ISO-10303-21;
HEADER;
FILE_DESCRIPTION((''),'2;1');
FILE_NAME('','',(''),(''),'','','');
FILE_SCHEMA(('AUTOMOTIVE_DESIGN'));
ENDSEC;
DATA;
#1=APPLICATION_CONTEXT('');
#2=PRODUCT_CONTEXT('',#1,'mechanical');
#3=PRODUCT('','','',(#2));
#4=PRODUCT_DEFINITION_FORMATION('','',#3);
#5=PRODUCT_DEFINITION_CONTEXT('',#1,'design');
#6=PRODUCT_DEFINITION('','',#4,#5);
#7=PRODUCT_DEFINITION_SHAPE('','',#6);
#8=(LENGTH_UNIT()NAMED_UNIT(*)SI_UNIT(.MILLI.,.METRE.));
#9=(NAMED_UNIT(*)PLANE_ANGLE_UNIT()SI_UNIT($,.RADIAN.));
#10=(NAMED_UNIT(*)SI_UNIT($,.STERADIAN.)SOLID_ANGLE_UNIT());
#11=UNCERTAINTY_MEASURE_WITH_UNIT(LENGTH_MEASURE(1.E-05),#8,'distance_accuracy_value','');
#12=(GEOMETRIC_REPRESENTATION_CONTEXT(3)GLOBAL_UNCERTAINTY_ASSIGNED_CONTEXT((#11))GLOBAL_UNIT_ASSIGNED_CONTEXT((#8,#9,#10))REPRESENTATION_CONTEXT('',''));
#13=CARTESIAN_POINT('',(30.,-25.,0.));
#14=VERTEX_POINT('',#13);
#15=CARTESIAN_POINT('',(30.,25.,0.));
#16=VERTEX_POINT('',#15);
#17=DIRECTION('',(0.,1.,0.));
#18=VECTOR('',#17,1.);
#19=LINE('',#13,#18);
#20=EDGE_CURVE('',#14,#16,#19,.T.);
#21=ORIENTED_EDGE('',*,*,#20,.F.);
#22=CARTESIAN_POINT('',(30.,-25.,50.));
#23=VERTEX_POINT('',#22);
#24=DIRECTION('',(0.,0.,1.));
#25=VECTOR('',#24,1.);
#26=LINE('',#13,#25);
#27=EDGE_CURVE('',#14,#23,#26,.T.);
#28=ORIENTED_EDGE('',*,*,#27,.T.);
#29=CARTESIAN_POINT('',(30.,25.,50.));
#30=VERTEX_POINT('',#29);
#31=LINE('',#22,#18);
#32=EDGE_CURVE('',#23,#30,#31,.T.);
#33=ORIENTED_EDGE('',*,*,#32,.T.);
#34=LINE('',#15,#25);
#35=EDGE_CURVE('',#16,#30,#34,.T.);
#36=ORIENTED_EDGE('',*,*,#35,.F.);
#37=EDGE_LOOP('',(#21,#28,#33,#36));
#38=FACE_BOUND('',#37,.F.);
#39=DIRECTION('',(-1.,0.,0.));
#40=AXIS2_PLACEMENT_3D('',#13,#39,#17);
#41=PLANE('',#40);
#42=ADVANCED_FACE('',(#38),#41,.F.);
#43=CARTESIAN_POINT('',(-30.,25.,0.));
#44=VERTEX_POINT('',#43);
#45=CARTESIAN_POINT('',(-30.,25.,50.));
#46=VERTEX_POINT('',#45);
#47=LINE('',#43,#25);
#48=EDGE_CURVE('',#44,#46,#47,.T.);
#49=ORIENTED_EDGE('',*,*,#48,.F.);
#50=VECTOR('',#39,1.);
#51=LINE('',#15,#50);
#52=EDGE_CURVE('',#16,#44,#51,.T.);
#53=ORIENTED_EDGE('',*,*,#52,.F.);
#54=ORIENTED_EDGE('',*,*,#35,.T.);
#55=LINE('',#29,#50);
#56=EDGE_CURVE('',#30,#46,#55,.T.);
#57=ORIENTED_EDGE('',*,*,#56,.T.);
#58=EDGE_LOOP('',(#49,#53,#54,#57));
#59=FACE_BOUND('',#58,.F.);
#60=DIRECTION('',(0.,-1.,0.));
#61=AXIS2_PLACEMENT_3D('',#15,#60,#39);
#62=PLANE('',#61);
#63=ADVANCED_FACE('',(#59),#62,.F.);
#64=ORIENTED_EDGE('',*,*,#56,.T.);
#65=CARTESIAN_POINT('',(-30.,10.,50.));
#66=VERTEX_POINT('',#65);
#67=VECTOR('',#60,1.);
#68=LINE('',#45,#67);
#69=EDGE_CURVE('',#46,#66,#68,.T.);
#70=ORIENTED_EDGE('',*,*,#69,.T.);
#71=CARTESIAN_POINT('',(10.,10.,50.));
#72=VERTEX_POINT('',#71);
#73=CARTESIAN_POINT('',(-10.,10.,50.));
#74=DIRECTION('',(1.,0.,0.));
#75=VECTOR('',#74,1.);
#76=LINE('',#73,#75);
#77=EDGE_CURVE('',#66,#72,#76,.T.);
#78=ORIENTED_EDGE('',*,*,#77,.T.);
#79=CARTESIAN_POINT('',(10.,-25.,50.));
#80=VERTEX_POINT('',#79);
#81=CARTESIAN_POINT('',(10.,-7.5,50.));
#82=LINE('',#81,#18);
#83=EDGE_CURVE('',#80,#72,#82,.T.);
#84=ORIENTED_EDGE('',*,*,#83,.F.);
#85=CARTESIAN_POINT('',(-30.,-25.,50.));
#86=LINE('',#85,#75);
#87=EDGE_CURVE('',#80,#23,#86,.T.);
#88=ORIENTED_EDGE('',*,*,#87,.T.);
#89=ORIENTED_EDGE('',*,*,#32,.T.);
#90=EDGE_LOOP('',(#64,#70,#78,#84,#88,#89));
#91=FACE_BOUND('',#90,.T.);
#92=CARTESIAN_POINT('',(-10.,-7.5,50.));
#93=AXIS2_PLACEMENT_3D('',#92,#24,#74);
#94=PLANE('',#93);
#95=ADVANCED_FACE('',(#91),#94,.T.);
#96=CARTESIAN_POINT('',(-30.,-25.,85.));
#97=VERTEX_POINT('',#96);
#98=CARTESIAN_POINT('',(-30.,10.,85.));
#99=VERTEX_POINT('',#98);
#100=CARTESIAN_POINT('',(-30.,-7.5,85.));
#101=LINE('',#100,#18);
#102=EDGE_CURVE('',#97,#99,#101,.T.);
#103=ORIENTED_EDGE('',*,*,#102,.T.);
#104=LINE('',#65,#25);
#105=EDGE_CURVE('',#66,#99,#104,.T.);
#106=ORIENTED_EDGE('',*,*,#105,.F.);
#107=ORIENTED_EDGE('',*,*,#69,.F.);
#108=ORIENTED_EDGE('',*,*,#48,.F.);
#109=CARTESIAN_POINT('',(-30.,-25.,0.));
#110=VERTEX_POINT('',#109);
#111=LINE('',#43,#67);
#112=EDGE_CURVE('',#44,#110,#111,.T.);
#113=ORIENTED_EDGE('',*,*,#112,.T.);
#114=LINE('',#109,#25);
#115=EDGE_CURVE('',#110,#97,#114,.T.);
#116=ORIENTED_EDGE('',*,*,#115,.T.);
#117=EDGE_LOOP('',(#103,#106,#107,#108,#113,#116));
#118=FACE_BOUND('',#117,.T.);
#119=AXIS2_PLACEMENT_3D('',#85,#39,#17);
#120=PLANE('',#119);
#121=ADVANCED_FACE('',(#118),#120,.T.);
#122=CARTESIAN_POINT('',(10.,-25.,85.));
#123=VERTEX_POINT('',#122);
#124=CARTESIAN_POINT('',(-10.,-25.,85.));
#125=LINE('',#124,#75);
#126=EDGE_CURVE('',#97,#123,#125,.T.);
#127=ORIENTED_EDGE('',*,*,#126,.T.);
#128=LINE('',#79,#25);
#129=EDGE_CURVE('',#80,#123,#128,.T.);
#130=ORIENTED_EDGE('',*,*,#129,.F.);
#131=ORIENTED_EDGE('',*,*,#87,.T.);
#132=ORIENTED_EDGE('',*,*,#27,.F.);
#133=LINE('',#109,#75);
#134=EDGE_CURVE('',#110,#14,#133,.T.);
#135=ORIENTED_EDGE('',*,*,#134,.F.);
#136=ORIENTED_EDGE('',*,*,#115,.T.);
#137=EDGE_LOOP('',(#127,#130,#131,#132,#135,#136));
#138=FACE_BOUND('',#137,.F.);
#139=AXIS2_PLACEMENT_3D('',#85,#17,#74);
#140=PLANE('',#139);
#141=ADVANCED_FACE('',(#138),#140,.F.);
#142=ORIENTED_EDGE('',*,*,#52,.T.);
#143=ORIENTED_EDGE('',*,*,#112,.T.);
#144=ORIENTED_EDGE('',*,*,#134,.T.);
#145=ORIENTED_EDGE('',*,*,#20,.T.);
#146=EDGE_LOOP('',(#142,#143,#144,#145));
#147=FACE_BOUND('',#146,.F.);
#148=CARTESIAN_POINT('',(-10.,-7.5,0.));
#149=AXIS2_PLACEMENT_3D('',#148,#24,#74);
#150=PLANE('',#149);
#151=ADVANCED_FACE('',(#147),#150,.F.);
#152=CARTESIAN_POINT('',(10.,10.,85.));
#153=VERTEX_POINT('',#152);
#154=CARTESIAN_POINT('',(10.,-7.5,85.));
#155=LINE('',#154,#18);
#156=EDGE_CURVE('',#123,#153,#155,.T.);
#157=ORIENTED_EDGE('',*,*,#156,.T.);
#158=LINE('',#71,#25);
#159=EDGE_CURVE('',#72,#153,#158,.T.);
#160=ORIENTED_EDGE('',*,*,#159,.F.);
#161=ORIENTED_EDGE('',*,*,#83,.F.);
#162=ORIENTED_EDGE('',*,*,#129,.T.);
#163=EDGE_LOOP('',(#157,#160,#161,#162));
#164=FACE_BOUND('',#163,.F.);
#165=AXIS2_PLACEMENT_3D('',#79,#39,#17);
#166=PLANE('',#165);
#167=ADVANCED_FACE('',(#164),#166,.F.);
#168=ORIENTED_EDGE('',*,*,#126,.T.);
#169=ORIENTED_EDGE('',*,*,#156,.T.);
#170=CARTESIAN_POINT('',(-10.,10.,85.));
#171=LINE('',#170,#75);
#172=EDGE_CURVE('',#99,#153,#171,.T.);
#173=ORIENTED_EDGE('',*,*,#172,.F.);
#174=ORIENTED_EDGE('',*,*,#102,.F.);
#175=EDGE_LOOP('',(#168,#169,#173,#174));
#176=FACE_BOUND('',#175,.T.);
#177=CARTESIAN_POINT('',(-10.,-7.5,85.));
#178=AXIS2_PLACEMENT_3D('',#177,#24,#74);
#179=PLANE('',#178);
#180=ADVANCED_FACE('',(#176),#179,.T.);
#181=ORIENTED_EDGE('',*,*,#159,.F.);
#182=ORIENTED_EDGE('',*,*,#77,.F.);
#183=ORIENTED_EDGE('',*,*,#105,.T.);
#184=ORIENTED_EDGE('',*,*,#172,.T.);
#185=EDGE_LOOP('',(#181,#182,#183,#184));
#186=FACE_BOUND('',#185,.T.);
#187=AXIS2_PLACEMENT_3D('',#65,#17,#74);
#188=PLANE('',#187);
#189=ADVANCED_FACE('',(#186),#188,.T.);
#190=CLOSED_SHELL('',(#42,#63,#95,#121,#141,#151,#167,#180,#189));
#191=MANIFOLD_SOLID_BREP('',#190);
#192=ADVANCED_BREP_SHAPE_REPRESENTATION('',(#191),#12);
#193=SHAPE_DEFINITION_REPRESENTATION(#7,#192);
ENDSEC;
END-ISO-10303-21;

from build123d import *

# Parameters (mm, degrees)
F1_W     = 40
F1_H     = 35
F3_DEPTH = 50
F2_W     = 40
F2_H     = 35
F4_DEPTH = 35


with BuildPart() as f3:
    # F1 (on Top) → F3 (new body)
    with BuildSketch(Plane.XY):
        with Locations((-10, -7.5)):
            Rectangle(F1_W, F1_H)
        Polygon((30, 25), (-30, 25), (-30, 10), (10, 10), (10, -25), (30, -25), align=None)
    extrude(amount=F3_DEPTH)

    # F2 (on offset) → F4 (join)
    with BuildSketch(Plane.XY.offset(50)):
        with Locations((-10, -7.5)):
            Rectangle(F2_W, F2_H)
    extrude(amount=F4_DEPTH)


solid = f3.part
